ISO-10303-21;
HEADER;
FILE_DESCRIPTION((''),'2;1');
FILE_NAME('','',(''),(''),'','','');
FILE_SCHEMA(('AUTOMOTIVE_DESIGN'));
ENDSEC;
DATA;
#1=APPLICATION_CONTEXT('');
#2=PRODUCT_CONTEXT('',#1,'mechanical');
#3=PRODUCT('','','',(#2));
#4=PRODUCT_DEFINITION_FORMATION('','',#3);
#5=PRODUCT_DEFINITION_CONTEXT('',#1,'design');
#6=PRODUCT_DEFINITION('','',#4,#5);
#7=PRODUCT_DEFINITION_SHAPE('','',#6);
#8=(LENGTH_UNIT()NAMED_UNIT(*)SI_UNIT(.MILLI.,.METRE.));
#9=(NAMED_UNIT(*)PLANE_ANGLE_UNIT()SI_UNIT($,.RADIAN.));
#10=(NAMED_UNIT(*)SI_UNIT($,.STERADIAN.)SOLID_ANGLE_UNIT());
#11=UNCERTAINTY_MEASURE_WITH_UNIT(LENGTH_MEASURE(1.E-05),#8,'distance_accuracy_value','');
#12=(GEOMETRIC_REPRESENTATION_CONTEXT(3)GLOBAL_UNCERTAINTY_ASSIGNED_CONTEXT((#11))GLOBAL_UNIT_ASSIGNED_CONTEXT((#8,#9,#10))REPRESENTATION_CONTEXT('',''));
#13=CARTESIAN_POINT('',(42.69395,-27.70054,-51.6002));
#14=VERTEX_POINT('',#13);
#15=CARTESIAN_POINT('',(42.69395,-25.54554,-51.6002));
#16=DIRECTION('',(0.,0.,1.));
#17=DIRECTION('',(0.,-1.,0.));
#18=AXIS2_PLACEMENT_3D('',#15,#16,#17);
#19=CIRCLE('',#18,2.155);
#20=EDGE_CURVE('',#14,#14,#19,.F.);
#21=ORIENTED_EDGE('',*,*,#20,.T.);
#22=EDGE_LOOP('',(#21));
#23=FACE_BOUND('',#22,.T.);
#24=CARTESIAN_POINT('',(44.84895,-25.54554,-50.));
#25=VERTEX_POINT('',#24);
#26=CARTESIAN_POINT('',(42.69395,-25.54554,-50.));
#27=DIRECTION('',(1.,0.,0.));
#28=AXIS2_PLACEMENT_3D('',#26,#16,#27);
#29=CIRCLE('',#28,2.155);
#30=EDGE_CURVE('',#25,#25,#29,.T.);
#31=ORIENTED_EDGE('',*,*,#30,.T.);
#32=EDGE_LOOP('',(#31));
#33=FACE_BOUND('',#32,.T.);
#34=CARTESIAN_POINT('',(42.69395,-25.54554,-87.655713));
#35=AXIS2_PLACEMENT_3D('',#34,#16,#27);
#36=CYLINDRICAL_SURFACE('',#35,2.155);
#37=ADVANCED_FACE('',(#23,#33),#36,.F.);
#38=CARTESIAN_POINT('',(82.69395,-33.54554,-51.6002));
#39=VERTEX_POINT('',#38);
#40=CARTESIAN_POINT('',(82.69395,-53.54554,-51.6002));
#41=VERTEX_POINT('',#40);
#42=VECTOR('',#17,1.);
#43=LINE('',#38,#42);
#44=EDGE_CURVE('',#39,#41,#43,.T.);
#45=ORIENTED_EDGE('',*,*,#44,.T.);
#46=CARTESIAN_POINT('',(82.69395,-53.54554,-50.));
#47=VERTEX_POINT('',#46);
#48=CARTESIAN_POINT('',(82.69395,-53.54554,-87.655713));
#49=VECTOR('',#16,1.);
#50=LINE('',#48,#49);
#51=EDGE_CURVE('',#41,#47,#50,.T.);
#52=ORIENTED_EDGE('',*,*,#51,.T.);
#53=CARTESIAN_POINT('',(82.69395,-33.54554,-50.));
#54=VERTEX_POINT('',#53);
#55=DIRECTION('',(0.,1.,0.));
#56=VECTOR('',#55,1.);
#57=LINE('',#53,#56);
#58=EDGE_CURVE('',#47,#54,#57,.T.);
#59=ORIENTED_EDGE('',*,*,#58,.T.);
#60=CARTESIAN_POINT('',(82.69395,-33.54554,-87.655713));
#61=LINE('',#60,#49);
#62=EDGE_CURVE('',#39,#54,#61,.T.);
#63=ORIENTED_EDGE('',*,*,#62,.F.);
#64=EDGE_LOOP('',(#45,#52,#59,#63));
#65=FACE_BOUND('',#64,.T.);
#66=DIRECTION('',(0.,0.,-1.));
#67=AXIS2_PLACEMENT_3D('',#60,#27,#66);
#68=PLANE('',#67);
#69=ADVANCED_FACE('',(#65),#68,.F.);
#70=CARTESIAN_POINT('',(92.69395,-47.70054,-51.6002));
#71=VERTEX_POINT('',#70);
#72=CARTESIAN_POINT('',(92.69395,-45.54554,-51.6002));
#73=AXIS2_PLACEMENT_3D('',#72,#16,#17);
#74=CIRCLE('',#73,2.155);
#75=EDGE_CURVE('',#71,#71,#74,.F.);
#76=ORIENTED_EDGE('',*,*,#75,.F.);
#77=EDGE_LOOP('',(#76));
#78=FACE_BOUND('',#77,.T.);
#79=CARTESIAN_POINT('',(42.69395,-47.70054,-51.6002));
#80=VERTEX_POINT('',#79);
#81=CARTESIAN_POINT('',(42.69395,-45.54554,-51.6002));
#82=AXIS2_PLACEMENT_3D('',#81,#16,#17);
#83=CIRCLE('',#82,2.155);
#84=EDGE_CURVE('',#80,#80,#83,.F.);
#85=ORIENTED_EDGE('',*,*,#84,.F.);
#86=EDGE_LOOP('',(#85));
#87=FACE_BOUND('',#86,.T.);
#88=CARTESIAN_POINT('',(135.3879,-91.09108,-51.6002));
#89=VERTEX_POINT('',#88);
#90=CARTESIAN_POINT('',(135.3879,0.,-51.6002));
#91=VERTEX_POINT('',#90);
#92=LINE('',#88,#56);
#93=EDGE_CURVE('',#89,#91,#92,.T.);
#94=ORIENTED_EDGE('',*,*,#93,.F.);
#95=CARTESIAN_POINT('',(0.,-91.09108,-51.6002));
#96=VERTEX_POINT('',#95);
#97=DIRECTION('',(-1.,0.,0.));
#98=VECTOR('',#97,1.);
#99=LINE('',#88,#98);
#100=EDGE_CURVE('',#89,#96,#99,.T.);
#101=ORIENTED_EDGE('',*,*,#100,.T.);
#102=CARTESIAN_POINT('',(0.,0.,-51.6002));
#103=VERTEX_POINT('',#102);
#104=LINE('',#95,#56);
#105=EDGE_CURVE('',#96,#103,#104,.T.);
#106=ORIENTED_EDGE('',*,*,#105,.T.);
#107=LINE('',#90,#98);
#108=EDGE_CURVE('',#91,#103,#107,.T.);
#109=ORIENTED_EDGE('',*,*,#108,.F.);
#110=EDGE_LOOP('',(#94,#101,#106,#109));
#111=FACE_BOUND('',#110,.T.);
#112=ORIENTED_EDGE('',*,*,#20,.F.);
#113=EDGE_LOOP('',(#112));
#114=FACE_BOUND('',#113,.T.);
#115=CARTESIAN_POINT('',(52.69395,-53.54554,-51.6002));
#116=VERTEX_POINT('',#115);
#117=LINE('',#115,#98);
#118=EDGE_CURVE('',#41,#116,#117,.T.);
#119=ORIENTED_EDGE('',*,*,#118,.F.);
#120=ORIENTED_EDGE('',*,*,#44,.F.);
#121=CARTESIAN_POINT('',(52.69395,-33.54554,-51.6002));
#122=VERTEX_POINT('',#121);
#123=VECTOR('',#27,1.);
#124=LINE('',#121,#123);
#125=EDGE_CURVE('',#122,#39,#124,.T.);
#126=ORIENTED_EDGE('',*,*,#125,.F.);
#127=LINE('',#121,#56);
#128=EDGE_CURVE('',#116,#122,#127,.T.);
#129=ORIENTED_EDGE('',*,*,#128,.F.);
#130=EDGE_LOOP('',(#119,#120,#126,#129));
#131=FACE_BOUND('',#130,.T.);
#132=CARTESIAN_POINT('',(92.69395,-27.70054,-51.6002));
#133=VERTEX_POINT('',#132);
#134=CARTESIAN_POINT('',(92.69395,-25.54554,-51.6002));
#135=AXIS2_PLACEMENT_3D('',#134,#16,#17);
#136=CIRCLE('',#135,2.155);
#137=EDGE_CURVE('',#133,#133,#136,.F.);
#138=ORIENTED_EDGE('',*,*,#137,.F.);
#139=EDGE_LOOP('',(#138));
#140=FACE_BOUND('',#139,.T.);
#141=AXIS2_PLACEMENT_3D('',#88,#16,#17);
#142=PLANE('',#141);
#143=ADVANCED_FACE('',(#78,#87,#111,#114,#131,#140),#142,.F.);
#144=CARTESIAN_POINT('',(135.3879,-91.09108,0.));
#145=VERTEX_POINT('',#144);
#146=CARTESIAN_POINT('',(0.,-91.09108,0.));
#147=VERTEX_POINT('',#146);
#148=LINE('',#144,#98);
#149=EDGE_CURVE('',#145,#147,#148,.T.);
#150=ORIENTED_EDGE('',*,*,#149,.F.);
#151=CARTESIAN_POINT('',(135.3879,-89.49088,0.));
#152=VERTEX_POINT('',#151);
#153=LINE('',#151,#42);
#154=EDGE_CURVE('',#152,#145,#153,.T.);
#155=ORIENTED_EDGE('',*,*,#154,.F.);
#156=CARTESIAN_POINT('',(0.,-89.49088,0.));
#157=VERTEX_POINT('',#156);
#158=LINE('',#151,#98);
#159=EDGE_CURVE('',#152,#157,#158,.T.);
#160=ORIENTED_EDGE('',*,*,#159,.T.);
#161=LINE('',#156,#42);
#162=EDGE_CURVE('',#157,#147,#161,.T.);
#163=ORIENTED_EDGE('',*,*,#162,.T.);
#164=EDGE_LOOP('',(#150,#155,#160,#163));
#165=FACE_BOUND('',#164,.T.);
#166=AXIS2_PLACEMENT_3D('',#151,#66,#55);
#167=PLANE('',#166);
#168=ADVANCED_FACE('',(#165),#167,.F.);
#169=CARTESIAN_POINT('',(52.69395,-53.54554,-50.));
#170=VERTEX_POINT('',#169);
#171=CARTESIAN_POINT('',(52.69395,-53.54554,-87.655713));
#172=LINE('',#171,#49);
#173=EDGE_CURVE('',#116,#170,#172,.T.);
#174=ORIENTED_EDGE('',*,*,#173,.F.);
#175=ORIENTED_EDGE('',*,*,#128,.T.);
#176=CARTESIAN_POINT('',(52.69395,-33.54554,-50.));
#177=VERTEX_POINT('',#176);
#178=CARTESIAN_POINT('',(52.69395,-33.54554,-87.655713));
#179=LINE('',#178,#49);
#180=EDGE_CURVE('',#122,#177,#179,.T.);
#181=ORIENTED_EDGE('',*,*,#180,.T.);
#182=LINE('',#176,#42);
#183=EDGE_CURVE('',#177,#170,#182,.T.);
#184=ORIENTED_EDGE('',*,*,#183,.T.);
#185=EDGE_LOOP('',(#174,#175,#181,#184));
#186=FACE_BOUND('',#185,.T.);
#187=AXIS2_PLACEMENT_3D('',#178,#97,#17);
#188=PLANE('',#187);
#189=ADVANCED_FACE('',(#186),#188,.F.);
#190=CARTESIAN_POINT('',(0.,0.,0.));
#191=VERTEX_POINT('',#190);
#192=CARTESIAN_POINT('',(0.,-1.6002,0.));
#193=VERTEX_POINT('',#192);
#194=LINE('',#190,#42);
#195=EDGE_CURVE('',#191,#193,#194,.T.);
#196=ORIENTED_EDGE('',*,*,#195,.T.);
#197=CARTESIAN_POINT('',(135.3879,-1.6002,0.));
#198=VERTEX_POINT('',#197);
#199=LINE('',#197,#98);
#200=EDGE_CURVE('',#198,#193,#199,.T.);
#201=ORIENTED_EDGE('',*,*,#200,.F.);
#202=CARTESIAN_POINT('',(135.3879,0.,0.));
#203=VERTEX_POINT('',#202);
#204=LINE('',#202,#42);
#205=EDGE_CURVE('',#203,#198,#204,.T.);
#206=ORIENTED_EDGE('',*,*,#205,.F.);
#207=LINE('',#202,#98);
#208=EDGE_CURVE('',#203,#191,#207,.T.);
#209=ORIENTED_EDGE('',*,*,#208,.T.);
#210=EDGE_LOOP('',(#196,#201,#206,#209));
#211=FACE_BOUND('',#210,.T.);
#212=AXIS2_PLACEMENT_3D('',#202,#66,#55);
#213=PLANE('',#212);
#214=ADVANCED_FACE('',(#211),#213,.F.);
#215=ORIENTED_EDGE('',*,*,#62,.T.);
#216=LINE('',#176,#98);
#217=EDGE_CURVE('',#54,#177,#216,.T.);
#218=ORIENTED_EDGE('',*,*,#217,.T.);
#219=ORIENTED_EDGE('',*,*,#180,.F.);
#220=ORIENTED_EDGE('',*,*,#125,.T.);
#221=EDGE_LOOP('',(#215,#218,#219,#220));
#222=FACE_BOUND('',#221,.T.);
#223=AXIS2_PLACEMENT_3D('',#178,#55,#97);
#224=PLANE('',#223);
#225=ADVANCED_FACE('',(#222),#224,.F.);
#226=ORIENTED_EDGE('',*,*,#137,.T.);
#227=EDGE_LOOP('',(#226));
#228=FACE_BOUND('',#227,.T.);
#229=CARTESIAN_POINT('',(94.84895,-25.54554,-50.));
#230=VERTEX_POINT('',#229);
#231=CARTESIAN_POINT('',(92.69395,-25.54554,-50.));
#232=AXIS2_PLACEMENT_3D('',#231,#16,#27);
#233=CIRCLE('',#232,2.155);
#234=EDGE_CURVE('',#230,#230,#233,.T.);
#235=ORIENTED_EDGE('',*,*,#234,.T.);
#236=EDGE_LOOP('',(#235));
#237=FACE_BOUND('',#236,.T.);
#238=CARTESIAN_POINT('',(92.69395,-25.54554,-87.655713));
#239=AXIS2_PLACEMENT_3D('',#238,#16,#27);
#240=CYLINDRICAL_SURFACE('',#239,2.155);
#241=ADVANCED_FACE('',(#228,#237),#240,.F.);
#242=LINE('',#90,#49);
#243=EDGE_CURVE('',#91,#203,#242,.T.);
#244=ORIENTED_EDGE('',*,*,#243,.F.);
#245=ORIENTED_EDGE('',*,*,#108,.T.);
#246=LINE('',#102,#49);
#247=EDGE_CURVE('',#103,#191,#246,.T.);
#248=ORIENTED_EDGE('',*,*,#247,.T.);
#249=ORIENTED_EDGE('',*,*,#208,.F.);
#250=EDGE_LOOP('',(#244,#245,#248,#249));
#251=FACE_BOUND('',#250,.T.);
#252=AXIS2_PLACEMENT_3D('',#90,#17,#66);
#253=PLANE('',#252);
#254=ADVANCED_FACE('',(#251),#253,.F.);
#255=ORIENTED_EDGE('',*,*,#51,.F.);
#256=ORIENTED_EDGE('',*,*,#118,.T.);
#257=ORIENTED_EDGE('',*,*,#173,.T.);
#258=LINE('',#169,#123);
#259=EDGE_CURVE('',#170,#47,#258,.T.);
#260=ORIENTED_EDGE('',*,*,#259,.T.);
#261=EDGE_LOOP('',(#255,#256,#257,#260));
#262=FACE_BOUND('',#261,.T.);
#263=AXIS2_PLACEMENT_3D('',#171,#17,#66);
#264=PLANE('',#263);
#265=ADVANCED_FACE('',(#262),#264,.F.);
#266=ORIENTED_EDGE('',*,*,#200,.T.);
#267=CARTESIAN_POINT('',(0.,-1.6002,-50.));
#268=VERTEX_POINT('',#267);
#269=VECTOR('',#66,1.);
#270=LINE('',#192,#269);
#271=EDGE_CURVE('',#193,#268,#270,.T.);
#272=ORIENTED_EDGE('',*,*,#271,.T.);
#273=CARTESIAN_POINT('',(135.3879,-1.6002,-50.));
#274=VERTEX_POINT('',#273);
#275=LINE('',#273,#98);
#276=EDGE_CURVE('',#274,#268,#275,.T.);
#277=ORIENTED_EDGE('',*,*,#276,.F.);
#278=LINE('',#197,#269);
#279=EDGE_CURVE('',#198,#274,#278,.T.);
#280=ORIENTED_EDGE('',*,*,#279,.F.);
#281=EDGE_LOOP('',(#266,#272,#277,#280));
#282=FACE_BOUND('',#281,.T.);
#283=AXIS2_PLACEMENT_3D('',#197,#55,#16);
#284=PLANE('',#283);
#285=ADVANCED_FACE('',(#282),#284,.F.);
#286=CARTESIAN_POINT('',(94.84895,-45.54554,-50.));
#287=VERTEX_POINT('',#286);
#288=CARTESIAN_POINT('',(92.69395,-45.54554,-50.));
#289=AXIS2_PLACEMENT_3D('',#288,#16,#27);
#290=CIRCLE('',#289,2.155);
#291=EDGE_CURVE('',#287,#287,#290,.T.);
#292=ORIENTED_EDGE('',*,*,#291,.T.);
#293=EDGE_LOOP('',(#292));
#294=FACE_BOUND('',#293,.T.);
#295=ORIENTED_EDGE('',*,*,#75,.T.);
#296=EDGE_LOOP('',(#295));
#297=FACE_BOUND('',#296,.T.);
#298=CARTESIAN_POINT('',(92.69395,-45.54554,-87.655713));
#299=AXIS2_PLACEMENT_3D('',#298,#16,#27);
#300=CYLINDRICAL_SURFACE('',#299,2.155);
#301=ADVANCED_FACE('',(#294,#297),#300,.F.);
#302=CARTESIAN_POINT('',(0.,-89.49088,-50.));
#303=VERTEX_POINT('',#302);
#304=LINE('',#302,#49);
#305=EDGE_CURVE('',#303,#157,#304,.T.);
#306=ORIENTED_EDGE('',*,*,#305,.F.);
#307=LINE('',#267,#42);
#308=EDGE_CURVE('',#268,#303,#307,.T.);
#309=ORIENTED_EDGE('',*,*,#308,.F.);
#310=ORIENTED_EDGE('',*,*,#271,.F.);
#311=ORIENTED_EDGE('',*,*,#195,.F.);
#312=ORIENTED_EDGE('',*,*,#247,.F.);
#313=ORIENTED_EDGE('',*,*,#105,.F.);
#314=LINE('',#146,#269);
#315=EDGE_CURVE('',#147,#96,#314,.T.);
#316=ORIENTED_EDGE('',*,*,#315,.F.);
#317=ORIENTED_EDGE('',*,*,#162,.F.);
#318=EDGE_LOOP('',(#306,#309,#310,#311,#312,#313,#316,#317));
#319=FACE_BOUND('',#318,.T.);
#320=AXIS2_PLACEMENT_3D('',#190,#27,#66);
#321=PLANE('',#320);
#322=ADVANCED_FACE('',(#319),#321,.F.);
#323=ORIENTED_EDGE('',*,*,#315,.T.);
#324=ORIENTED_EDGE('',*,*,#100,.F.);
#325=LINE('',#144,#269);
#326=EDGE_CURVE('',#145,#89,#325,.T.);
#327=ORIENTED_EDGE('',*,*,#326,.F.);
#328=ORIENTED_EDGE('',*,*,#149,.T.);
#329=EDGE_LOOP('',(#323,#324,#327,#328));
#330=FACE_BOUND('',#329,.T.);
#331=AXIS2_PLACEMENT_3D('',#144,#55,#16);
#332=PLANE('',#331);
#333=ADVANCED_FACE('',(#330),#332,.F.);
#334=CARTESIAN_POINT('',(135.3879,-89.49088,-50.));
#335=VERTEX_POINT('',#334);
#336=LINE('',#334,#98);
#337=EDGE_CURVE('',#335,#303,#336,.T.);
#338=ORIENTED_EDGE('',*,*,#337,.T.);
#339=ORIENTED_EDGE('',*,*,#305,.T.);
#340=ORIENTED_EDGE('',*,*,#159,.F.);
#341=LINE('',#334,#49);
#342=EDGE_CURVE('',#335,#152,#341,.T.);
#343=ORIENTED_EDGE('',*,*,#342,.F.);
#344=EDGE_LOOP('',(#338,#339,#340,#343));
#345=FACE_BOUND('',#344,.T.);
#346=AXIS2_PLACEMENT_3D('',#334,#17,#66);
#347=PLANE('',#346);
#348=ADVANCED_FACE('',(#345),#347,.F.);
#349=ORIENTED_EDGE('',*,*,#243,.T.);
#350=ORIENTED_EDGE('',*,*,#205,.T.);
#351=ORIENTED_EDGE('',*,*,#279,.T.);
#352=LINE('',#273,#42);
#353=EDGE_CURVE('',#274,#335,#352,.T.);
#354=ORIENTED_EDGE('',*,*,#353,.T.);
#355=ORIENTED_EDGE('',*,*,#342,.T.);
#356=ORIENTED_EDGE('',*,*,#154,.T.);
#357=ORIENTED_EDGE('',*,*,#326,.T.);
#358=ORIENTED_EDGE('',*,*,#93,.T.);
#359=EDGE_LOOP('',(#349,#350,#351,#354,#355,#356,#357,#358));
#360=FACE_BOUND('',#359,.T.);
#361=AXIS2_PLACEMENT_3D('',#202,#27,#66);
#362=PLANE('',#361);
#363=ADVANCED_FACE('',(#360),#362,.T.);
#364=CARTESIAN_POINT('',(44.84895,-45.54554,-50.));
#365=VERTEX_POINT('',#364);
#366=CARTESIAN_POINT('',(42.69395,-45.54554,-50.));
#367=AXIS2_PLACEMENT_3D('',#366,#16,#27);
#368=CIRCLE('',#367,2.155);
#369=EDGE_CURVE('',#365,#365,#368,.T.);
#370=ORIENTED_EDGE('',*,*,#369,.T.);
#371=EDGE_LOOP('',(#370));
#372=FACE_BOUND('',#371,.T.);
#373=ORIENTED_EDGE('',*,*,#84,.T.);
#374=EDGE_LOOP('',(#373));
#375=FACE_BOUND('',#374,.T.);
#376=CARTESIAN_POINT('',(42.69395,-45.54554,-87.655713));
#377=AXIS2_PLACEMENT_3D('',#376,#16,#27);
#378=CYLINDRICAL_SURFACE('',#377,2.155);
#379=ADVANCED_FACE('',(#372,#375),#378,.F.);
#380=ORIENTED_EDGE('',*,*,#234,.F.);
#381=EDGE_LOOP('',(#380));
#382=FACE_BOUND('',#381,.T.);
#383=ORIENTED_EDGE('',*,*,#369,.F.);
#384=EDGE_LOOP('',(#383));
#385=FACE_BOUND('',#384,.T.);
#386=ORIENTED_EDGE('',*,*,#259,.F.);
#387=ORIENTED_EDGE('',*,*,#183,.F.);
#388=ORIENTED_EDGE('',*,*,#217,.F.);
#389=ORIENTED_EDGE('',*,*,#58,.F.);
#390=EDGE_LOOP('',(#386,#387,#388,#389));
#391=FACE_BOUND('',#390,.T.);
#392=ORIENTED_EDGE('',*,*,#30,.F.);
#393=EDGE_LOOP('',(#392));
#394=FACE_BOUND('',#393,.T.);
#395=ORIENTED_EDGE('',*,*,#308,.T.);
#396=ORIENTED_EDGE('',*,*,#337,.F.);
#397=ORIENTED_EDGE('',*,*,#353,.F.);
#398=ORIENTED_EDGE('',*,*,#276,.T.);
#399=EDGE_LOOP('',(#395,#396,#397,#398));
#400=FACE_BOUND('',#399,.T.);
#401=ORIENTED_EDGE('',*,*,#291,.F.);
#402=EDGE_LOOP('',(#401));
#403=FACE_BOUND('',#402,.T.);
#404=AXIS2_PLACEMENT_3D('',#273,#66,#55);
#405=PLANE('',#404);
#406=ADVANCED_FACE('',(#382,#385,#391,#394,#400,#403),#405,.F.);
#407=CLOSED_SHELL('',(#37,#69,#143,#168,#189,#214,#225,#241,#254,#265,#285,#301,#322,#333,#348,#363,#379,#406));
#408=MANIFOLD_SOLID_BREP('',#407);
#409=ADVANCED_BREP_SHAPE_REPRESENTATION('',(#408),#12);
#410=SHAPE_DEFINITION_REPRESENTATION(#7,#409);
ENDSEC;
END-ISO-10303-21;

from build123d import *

# Parameters (mm, degrees)
BOSS_EXTRUDE1_DEPTH = 135.3879
SKETCH2_R           = 2.155
SKETCH2_W           = 30
SKETCH2_H           = 20
CUT_EXTRUDE1_DEPTH  = 1.6002


with BuildPart() as part:
    # Sketch1 → Boss-Extrude1 (new body)
    with BuildSketch(Plane(origin=(0, 0, 0), x_dir=(0, 0, -1), z_dir=(1, 0, 0))):
        Polygon((0, 0), (0, -1.6002), (50, -1.6002), (50, -89.49088), (0, -89.49088), (0, -91.09108), (51.6002, -91.09108), (51.6002, 0), align=None)
    extrude(amount=BOSS_EXTRUDE1_DEPTH)

    # Sketch2 → Cut-Extrude1 (cut)
    with BuildSketch(Plane.XY.offset(-50)):
        with Locations((42.69395, -25.54554)):
            Circle(SKETCH2_R)
        with Locations((92.69395, -25.54554)):
            Circle(SKETCH2_R)
        with Locations((42.69395, -45.54554)):
            Circle(SKETCH2_R)
        with Locations((92.69395, -45.54554)):
            Circle(SKETCH2_R)
        with Locations((67.69395, -43.54554)):
            Rectangle(SKETCH2_W, SKETCH2_H)
    extrude(amount=-CUT_EXTRUDE1_DEPTH, mode=Mode.SUBTRACT)


solid = part.part
